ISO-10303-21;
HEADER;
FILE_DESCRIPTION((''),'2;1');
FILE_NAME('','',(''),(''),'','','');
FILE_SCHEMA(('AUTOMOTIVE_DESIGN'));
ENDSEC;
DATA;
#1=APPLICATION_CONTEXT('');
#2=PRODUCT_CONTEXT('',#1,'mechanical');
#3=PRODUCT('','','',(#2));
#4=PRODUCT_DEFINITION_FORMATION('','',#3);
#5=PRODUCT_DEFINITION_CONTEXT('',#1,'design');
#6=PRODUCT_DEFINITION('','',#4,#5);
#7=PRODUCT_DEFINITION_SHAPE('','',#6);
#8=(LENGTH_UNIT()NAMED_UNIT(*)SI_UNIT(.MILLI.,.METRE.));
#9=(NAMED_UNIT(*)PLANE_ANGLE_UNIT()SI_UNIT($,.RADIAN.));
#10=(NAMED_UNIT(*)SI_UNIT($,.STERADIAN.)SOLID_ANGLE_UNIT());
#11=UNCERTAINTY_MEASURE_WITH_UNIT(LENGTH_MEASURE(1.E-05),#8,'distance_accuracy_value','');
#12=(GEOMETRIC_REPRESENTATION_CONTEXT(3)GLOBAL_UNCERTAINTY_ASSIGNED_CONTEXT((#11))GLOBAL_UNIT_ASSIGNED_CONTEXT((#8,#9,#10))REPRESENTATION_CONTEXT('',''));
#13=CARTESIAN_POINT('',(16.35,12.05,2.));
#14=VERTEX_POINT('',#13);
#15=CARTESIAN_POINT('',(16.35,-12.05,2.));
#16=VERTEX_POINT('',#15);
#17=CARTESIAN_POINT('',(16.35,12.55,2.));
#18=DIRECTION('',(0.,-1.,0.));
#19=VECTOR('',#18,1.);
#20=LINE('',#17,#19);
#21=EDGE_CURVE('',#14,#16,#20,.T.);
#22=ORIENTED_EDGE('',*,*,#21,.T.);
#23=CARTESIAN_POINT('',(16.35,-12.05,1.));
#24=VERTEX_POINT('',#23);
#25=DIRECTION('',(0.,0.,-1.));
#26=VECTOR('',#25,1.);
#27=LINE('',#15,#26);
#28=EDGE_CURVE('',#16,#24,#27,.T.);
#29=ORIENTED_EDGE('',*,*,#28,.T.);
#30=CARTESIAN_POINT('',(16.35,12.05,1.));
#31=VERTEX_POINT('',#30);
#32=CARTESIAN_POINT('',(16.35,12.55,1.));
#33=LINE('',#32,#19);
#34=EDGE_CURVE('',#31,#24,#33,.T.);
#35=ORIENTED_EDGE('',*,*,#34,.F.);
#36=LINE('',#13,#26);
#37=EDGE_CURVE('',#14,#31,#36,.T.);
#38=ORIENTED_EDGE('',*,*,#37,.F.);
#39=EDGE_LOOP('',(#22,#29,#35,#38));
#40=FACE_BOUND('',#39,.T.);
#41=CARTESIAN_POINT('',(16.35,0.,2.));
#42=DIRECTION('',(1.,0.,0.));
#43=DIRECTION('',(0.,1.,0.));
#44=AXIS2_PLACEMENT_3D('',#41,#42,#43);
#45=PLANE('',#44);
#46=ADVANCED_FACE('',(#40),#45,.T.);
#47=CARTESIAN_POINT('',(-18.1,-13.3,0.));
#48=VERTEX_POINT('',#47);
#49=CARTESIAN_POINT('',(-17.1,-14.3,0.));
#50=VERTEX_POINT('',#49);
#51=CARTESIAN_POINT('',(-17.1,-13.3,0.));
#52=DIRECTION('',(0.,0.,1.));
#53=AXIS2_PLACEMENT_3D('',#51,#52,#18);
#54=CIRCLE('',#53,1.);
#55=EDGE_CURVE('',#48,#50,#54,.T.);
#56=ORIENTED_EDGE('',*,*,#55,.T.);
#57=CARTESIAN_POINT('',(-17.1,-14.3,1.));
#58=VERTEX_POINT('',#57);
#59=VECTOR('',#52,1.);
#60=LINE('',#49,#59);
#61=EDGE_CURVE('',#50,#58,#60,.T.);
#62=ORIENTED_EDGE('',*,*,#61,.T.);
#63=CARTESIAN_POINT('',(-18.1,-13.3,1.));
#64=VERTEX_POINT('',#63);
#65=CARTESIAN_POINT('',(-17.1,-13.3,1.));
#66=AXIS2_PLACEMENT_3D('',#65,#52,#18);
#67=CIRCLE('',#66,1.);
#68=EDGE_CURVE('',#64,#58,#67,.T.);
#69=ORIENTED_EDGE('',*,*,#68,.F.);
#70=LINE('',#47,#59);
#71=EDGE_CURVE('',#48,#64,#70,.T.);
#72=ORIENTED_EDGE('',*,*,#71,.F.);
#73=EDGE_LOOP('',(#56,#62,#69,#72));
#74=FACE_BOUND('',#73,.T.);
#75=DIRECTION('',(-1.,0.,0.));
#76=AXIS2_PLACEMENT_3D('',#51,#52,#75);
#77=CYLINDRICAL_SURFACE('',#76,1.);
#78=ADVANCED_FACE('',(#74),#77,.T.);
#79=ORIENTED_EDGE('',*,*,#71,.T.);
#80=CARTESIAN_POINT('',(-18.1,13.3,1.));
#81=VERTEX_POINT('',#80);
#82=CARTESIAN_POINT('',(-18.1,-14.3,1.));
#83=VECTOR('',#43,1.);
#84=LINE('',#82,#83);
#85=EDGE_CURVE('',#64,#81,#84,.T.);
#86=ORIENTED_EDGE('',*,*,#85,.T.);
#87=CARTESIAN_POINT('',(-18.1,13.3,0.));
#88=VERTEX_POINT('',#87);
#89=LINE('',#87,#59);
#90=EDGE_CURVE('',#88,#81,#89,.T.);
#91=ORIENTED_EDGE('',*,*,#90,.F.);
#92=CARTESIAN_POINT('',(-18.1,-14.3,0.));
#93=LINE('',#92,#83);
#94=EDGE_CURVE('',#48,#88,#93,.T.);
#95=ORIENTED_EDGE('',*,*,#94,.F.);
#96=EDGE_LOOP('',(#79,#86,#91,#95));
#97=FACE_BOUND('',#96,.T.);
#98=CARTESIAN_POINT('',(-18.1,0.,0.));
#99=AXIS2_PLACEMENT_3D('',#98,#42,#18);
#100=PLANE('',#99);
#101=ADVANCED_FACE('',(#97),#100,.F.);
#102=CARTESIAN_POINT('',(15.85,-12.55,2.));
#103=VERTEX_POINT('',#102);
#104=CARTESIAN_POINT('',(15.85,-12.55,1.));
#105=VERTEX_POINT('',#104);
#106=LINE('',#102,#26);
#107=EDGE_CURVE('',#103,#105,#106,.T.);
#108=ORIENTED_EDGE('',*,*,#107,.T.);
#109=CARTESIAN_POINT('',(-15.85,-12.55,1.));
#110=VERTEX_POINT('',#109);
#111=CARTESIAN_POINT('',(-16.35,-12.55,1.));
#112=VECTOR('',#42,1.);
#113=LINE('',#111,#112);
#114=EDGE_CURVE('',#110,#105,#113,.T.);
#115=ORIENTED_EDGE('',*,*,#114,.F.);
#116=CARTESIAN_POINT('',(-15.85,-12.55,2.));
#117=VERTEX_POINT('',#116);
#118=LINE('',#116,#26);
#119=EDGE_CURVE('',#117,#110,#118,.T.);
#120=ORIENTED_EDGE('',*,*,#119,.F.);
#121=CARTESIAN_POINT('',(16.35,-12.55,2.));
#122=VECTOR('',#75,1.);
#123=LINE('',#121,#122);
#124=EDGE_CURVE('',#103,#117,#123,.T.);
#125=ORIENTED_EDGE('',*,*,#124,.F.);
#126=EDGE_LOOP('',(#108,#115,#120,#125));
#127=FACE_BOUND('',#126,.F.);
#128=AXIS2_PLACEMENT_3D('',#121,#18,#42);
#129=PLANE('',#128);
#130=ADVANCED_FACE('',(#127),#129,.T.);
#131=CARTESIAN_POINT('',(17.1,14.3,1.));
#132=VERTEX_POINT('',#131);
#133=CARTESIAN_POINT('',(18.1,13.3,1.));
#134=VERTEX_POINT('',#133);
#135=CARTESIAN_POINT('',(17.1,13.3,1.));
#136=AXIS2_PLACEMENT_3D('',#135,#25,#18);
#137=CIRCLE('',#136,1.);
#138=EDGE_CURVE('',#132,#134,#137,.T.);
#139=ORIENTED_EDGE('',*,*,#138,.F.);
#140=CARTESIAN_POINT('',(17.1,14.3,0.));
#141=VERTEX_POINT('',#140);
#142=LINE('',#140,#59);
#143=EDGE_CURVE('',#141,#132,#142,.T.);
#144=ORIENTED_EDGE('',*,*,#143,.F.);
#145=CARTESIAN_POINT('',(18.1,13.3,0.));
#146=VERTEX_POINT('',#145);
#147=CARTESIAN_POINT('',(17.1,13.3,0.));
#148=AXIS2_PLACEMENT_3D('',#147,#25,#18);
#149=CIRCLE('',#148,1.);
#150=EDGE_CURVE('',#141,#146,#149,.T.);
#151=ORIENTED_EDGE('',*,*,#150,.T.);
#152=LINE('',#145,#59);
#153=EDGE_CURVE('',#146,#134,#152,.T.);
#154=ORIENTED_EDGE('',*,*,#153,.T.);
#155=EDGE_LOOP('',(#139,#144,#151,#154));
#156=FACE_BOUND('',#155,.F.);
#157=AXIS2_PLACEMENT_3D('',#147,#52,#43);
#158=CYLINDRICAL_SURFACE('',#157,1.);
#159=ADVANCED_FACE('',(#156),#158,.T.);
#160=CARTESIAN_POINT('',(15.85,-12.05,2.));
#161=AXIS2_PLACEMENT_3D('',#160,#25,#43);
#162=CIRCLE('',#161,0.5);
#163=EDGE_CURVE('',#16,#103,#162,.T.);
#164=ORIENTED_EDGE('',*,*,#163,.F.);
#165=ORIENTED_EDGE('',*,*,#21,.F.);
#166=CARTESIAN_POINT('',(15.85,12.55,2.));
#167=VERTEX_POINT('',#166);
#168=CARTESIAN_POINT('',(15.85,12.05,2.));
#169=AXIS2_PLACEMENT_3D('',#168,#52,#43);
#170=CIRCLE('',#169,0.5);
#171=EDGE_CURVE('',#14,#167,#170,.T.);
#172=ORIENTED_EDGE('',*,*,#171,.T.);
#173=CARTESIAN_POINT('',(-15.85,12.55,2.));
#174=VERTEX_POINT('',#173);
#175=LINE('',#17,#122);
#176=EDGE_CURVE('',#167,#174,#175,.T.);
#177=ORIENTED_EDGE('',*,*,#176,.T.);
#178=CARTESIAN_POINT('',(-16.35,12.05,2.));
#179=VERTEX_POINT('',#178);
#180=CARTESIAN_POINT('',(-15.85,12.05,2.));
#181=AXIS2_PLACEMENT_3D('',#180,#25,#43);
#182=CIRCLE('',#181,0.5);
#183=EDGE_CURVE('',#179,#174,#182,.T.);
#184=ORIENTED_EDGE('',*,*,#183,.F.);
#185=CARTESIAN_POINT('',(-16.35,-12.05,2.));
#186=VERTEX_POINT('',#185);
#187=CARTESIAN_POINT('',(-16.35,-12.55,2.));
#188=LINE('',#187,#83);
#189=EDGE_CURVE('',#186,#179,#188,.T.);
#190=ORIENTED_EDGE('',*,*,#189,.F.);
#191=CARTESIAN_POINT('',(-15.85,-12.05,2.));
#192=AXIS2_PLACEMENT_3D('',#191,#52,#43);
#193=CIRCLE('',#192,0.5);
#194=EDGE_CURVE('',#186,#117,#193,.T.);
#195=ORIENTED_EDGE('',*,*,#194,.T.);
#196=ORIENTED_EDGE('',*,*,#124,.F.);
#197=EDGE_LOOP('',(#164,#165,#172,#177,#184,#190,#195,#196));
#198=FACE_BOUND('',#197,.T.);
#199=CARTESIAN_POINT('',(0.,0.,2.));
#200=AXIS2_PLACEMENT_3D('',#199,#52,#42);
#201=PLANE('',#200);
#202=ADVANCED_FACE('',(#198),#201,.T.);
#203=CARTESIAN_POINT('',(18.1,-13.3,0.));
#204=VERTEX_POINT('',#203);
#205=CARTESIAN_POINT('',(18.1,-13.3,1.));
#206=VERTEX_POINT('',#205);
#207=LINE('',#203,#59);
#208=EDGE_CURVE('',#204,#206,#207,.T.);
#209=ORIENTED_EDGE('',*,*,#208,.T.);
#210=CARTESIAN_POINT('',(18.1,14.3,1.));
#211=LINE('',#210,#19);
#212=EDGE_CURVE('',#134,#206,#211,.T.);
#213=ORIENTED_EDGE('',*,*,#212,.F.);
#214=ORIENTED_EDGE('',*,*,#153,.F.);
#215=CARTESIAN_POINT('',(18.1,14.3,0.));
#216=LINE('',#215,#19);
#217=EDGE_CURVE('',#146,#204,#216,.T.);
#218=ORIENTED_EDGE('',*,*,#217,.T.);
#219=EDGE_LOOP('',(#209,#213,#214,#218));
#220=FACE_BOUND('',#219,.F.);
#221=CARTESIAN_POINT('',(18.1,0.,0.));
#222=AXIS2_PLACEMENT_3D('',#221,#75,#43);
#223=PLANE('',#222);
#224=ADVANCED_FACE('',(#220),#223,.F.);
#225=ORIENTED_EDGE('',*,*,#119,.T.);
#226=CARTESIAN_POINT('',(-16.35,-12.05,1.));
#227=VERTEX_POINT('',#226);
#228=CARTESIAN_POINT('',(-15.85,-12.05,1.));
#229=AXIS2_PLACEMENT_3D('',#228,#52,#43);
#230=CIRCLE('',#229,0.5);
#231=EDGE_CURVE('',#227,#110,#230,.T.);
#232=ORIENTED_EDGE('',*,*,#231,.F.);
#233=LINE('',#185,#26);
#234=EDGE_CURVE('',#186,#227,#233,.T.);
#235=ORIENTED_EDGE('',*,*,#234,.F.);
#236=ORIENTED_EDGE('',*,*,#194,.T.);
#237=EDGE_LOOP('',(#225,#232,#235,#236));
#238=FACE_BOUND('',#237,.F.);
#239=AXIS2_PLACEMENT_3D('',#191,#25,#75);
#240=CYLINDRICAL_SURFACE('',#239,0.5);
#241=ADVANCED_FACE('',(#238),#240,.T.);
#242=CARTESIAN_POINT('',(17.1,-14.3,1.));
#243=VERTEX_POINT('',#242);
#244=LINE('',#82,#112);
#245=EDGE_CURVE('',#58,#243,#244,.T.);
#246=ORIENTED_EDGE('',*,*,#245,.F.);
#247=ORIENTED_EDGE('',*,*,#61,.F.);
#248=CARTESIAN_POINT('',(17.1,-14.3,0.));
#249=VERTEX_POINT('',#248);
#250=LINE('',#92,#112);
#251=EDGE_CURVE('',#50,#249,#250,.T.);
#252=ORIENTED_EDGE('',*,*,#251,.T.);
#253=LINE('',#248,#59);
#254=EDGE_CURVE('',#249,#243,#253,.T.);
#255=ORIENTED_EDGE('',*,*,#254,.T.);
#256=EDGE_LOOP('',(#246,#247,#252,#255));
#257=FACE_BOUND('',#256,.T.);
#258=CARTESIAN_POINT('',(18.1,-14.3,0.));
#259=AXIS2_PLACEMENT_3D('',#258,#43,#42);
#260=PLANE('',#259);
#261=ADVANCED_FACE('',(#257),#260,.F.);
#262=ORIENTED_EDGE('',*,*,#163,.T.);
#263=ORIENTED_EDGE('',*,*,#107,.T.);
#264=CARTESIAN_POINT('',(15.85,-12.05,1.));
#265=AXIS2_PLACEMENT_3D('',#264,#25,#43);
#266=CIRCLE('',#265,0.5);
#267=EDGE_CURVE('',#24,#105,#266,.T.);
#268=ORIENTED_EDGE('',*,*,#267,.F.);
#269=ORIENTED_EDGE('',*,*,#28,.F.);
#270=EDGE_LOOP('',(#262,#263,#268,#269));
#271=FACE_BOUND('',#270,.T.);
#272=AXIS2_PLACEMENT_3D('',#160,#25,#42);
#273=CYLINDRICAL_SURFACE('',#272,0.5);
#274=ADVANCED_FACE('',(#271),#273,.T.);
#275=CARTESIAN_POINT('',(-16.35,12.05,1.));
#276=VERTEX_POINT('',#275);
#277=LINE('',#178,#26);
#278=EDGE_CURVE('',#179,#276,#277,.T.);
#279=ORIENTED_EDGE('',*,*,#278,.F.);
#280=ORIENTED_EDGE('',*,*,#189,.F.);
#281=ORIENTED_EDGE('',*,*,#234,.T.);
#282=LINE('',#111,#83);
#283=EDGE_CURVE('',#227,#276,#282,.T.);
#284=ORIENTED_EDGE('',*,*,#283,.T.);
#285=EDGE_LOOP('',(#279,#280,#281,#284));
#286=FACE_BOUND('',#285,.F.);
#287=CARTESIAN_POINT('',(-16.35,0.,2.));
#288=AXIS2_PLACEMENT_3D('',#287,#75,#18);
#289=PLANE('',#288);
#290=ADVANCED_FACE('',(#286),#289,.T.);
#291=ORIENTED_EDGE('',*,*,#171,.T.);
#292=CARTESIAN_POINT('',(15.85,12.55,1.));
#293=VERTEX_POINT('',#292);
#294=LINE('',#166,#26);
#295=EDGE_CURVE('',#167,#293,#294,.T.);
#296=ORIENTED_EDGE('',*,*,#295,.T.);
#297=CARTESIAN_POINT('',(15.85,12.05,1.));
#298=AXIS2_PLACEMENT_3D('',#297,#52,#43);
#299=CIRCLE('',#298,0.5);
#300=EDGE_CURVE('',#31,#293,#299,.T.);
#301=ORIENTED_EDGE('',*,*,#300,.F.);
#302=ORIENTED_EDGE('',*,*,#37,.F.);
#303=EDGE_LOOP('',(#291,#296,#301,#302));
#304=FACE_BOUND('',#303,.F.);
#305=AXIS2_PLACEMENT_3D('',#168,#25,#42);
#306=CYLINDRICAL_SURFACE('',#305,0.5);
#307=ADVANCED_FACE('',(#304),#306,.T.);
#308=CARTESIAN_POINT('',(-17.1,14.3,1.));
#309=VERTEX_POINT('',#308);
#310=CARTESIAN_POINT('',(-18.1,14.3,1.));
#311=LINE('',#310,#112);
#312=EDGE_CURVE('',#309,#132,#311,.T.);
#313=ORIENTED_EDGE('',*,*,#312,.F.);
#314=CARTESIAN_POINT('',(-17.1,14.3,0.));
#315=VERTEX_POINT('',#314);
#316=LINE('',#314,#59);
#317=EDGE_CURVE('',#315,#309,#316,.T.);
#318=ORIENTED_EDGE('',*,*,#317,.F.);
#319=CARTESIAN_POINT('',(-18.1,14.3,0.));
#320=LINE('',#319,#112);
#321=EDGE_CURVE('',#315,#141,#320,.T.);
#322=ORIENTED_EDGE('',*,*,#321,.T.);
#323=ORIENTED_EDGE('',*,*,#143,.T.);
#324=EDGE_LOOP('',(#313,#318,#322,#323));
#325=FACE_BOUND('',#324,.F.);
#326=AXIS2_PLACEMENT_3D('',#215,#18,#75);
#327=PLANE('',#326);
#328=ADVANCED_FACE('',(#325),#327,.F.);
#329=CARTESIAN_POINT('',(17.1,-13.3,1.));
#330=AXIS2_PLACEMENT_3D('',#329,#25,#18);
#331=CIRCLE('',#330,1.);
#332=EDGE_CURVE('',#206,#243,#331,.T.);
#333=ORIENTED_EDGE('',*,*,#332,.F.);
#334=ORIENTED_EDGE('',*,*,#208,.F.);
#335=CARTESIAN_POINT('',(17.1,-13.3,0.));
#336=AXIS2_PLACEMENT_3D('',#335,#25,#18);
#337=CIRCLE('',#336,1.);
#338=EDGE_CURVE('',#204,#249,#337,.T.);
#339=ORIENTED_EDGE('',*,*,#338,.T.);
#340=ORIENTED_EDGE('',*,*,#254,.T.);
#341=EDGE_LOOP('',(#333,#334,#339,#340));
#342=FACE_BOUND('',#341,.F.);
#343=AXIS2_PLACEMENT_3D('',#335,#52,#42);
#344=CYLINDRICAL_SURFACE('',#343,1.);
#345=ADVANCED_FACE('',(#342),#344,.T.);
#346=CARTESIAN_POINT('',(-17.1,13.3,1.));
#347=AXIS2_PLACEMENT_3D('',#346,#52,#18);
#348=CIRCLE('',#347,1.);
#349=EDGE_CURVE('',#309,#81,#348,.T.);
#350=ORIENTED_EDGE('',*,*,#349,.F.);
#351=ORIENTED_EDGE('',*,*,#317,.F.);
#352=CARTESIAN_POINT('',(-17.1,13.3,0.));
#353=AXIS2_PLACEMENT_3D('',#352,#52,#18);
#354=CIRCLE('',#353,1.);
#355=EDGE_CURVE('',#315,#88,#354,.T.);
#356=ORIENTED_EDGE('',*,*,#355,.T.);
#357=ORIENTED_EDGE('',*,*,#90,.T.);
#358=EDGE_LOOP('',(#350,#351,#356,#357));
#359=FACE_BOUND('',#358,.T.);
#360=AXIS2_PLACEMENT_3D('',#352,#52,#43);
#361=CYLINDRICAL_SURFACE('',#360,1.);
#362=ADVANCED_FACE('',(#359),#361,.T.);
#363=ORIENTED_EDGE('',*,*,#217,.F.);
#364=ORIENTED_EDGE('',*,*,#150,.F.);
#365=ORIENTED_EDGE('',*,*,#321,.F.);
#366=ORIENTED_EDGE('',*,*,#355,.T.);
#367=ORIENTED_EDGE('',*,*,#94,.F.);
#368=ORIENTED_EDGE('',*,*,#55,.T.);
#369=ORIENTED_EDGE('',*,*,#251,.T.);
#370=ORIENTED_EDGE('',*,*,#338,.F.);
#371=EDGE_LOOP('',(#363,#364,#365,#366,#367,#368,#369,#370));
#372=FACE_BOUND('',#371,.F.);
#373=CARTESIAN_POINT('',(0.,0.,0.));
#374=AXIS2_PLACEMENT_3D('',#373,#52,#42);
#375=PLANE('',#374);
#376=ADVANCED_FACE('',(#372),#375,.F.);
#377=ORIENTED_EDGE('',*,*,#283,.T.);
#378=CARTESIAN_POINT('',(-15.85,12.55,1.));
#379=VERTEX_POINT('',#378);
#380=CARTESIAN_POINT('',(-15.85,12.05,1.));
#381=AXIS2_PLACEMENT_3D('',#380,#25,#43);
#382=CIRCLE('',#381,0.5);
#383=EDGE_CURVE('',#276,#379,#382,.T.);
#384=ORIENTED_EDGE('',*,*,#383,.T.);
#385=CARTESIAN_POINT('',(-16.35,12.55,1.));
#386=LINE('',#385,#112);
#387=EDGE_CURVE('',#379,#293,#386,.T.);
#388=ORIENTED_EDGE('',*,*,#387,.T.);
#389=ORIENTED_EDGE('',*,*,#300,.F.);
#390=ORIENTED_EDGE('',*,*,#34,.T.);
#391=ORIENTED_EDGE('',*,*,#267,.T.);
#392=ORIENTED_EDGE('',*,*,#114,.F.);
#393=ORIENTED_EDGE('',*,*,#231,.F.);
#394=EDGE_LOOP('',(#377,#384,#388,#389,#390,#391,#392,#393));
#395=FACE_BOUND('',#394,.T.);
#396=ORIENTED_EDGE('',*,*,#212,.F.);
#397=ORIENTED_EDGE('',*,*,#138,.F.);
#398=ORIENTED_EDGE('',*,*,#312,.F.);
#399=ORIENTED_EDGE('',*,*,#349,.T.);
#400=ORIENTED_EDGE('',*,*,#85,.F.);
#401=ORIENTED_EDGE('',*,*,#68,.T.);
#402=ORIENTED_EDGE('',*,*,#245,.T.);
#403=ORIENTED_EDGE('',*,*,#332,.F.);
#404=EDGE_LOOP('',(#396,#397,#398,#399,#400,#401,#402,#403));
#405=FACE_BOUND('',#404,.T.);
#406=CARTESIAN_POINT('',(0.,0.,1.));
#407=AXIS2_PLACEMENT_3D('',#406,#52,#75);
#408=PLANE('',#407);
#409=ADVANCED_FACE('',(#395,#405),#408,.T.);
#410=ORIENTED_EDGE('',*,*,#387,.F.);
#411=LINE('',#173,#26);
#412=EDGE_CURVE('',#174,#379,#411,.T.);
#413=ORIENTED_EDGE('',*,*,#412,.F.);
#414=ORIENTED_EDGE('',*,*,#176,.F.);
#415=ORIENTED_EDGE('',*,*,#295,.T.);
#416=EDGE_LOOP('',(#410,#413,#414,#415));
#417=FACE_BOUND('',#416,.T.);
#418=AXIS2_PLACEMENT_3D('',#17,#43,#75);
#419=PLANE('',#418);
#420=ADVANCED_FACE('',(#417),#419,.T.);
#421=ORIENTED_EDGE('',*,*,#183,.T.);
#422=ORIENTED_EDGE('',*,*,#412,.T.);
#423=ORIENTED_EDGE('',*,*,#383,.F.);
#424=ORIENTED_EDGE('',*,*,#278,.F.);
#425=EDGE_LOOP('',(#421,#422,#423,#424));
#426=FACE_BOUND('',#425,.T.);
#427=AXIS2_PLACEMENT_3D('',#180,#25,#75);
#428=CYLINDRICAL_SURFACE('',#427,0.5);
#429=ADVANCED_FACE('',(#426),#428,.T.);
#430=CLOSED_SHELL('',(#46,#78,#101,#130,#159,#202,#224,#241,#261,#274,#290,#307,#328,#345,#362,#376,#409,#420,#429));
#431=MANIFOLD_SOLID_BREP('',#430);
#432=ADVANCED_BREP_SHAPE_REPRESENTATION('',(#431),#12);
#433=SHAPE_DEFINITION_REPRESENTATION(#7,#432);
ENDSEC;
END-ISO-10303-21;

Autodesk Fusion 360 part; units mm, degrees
sketch "Skizze1" plane through (0, 0, 0) normal (0, 0, 1) x (1, 0, 0)
  line L0 (0, 0) -> (18.1, 0)
  line L1 (18.1, 0) -> (18.1, 14.3)
  line L2 (18.1, 14.3) -> (0, 14.3)
  line L3 (0, 14.3) -> (0, 0)
  dimension "d1" = 18.1
  dimension "d2" = 14.3
extrude "Extrusion1" add sketch "Skizze1" along normal blind 2
sketch "Skizze2" plane through (0, 0, 2) normal (0, 0, 1) x (-1, 0, 0)
  line L0 (0, 0) -> (-16.35, 0)
  line L1 (-16.35, 0) -> (-16.35, -12.55)
  line L2 (-16.35, -12.55) -> (0, -12.55)
  line L3 (0, -12.55) -> (0, 0)
  line L4 (0, -14.3) -> (0, 0)
  line L5 (0, 0) -> (-18.1, 0)
  line L6 (-18.1, 0) -> (-18.1, -14.3)
  line L7 (-18.1, -14.3) -> (0, -14.3)
  point P0 (-18.1, 0)
  point P1 (0, -14.3)
  dimension "d19" = 16.35
  dimension "d20" = 12.55
extrude "Extrusion2" cut sketch "Skizze2" against normal blind 1 contours L1 L2 L4 L5 L6 L7
mirror "Spiegeln1" about plane through (0, 14.3, 0) normal (-1, 0, 0) of bodies 1 merged
mirror "Spiegeln2" about plane through (0, 0, 0) normal (0, 1, 0) of bodies 1 merged
fillet "Abrundung1" radius 0.5 4 edges at (-16.35, -12.55, 1.5) (-16.35, 12.55, 1.5) (16.35, 12.55, 1.5) (16.35, -12.55, 1.5)
fillet "Abrundung1" radius 1 4 edges at (-18.1, -14.3, 0.5) (-18.1, 14.3, 0.5) (18.1, 14.3, 0.5) (18.1, -14.3, 0.5)
equation "d1 = ( ( 37.6 - 0.5 ) / 2 ) * 1 mm - 0.45 mm"
equation "d2 = ( ( 30 - 0.5 ) / 2 ) * 1 mm - 0.45 mm"
equation "d19 = ( ( 33.6 - 0.5 ) / 2 ) * 1 mm - 0.2 mm"
equation "d20 = ( ( 26 - 0.5 ) / 2 ) * 1 mm - 0.2 mm"
